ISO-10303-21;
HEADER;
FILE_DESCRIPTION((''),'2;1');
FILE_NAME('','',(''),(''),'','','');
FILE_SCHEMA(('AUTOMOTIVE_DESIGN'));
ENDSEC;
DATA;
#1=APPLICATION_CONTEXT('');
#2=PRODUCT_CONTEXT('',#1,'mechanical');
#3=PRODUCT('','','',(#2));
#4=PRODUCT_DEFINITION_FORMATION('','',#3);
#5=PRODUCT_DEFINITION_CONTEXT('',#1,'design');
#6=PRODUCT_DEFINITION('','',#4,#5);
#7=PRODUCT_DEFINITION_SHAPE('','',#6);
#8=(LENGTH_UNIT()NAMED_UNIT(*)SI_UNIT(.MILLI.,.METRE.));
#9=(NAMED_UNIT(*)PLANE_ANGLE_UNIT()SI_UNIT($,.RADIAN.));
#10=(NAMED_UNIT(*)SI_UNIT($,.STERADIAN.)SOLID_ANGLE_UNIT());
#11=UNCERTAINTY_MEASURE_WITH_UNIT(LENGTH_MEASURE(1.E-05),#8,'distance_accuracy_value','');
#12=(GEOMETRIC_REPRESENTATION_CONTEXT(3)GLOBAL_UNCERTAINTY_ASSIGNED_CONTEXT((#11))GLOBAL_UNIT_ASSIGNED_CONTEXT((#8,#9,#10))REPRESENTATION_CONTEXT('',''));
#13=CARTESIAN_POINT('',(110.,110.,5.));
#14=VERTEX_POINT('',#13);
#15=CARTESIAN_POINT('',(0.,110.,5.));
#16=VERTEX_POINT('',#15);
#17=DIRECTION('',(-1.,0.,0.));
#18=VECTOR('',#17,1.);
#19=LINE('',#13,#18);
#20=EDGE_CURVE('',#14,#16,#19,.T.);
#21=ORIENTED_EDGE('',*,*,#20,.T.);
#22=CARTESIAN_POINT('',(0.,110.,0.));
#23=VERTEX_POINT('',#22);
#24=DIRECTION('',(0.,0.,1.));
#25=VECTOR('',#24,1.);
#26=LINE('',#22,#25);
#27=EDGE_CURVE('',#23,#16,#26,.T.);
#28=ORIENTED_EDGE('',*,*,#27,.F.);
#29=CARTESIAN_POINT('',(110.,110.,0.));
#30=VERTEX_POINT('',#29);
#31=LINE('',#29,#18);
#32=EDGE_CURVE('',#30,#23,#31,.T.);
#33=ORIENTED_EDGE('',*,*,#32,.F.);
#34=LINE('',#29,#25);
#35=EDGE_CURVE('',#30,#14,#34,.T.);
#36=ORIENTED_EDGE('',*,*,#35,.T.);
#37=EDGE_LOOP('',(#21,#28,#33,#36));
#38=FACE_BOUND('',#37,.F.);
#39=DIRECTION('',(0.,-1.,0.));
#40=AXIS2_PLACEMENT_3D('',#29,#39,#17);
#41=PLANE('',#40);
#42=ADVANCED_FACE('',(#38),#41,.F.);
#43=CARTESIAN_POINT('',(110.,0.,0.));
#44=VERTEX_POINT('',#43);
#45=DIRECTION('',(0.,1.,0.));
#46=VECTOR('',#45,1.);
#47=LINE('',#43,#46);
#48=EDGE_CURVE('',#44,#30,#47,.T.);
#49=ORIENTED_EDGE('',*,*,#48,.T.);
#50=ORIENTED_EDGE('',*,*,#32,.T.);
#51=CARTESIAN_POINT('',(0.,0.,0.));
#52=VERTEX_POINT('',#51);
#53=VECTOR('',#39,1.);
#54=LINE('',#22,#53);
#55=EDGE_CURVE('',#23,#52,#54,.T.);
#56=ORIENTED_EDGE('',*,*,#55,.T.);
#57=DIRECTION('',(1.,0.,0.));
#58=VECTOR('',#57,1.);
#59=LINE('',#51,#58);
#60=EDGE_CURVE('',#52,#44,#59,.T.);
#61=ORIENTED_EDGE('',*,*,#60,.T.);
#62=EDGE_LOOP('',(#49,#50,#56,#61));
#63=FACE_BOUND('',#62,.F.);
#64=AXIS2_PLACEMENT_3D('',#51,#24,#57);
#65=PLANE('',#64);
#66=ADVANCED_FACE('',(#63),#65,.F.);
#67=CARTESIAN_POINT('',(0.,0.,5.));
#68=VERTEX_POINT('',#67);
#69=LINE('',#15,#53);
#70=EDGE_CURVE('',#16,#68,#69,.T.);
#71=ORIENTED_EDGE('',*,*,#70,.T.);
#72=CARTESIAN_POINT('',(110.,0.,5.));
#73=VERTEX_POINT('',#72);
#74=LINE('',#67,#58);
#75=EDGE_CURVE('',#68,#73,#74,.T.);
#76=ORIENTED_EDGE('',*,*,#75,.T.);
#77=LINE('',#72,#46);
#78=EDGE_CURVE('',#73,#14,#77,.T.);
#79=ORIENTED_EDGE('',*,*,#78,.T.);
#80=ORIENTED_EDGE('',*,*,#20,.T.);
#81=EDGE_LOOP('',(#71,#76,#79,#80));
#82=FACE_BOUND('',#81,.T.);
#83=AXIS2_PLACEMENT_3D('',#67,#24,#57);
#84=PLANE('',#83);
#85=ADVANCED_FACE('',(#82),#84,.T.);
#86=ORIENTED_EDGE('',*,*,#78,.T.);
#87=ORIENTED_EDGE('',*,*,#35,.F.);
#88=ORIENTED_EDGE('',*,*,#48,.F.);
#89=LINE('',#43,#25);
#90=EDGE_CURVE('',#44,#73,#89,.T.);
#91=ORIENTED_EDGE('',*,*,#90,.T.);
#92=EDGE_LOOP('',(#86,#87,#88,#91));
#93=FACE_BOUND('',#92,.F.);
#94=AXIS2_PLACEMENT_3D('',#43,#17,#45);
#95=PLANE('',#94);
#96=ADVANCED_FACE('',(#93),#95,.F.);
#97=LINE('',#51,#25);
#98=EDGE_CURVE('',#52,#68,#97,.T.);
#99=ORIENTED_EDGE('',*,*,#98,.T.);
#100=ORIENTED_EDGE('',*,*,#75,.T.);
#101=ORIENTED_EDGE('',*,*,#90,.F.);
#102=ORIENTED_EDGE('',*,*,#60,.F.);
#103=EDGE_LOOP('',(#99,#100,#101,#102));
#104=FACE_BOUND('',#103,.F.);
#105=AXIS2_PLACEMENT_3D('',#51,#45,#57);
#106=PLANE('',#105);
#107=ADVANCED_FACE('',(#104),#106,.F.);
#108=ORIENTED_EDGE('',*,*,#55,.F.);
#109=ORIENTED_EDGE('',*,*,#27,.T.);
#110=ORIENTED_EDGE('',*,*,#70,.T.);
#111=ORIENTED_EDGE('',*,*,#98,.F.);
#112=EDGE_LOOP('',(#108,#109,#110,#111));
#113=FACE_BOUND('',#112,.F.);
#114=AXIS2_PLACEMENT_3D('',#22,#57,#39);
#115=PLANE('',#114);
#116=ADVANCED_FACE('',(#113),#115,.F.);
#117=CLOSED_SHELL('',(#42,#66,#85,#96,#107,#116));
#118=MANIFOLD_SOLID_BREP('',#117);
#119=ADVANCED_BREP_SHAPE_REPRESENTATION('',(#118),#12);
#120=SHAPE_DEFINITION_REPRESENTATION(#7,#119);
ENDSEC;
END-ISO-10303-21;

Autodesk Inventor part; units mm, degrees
ref_plane "YZ Plane" through (0, 0, 0) normal (1, 0, 0) x (0, 1, 0)
ref_plane "XZ Plane" through (0, 0, 0) normal (0, 1, 0) x (-1, 0, 0)
ref_plane "XY Plane" through (0, 0, 0) normal (0, 0, 1) x (1, 0, 0)
sketch "Sketch1" plane through (0, 0, 0) normal (0, 0, 1) x (1, 0, 0)
  line L0 (0, 0) -> (110, 0)
  line L1 (110, 0) -> (110, 110)
  line L2 (110, 110) -> (0, 110)
  line L3 (0, 110) -> (0, 0)
  dimension "d0" = 110
  dimension "d1" = 110
extrude "Extrusion1" add sketch "Sketch1" along normal blind 5
properties part number "wedge"
